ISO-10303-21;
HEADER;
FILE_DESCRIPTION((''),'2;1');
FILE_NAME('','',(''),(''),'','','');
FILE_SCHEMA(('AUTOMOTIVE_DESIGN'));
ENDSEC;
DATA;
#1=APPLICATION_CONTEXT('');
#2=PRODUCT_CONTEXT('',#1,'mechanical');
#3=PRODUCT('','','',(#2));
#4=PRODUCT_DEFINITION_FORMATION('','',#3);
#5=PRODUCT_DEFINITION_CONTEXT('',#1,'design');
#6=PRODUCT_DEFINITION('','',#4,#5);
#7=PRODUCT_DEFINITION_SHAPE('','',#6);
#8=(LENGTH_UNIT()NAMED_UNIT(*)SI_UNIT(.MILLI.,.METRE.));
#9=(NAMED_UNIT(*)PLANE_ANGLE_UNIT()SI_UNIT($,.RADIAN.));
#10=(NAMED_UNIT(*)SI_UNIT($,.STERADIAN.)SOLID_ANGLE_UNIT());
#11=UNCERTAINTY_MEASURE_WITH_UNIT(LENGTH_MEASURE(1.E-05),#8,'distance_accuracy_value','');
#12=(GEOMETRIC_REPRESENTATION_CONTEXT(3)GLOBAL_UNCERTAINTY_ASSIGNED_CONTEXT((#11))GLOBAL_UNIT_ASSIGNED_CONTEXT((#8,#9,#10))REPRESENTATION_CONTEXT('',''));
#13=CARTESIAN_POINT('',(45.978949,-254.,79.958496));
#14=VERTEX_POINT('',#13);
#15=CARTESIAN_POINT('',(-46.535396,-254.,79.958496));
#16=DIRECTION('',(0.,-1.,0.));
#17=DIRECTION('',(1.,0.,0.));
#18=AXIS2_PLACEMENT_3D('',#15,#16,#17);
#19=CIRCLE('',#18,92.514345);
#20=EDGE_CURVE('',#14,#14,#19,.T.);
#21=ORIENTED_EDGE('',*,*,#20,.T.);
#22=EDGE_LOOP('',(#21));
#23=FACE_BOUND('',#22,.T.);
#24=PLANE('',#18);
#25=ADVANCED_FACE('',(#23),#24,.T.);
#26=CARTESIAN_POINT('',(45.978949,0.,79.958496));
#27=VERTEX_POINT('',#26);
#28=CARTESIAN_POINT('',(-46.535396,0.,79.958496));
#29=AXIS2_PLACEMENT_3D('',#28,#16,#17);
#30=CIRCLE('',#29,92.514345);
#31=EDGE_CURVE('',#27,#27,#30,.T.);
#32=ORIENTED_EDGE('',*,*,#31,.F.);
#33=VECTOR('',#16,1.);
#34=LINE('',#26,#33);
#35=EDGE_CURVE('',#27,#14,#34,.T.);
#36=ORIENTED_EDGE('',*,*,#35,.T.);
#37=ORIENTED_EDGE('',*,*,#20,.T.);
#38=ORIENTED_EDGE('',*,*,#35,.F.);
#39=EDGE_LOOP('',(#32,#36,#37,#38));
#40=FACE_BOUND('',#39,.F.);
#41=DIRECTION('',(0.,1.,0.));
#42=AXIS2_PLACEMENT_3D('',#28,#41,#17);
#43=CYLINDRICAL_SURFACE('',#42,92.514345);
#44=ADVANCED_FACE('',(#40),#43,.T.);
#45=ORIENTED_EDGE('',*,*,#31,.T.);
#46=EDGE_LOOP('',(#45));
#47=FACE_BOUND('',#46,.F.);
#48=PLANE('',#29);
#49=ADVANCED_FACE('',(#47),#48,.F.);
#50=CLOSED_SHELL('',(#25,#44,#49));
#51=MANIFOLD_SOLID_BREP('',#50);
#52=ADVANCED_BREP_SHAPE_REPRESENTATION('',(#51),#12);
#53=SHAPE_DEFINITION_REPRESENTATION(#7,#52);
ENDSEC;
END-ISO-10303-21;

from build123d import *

# Parameters (mm, degrees)
F0_R     = 92.514345
F1_DEPTH = 254
F2_R     = 16.55591
F3_DEPTH = 254


with BuildPart() as f1:
    # F0 (on Front) → F1 (new body)
    with BuildSketch(Plane.XZ):
        with Locations((-46.535396, 79.958496)):
            Circle(F0_R)
    extrude(amount=F1_DEPTH)

    # F2 (on face) → F3 (join)
    with BuildSketch(Plane(origin=(0, 0, 0), x_dir=(-1, 0, 0), z_dir=(0, 1, 0))):
        with Locations((46.535396, 79.958496)):
            Circle(F2_R)
    extrude(amount=-F3_DEPTH)


solid = f1.part
